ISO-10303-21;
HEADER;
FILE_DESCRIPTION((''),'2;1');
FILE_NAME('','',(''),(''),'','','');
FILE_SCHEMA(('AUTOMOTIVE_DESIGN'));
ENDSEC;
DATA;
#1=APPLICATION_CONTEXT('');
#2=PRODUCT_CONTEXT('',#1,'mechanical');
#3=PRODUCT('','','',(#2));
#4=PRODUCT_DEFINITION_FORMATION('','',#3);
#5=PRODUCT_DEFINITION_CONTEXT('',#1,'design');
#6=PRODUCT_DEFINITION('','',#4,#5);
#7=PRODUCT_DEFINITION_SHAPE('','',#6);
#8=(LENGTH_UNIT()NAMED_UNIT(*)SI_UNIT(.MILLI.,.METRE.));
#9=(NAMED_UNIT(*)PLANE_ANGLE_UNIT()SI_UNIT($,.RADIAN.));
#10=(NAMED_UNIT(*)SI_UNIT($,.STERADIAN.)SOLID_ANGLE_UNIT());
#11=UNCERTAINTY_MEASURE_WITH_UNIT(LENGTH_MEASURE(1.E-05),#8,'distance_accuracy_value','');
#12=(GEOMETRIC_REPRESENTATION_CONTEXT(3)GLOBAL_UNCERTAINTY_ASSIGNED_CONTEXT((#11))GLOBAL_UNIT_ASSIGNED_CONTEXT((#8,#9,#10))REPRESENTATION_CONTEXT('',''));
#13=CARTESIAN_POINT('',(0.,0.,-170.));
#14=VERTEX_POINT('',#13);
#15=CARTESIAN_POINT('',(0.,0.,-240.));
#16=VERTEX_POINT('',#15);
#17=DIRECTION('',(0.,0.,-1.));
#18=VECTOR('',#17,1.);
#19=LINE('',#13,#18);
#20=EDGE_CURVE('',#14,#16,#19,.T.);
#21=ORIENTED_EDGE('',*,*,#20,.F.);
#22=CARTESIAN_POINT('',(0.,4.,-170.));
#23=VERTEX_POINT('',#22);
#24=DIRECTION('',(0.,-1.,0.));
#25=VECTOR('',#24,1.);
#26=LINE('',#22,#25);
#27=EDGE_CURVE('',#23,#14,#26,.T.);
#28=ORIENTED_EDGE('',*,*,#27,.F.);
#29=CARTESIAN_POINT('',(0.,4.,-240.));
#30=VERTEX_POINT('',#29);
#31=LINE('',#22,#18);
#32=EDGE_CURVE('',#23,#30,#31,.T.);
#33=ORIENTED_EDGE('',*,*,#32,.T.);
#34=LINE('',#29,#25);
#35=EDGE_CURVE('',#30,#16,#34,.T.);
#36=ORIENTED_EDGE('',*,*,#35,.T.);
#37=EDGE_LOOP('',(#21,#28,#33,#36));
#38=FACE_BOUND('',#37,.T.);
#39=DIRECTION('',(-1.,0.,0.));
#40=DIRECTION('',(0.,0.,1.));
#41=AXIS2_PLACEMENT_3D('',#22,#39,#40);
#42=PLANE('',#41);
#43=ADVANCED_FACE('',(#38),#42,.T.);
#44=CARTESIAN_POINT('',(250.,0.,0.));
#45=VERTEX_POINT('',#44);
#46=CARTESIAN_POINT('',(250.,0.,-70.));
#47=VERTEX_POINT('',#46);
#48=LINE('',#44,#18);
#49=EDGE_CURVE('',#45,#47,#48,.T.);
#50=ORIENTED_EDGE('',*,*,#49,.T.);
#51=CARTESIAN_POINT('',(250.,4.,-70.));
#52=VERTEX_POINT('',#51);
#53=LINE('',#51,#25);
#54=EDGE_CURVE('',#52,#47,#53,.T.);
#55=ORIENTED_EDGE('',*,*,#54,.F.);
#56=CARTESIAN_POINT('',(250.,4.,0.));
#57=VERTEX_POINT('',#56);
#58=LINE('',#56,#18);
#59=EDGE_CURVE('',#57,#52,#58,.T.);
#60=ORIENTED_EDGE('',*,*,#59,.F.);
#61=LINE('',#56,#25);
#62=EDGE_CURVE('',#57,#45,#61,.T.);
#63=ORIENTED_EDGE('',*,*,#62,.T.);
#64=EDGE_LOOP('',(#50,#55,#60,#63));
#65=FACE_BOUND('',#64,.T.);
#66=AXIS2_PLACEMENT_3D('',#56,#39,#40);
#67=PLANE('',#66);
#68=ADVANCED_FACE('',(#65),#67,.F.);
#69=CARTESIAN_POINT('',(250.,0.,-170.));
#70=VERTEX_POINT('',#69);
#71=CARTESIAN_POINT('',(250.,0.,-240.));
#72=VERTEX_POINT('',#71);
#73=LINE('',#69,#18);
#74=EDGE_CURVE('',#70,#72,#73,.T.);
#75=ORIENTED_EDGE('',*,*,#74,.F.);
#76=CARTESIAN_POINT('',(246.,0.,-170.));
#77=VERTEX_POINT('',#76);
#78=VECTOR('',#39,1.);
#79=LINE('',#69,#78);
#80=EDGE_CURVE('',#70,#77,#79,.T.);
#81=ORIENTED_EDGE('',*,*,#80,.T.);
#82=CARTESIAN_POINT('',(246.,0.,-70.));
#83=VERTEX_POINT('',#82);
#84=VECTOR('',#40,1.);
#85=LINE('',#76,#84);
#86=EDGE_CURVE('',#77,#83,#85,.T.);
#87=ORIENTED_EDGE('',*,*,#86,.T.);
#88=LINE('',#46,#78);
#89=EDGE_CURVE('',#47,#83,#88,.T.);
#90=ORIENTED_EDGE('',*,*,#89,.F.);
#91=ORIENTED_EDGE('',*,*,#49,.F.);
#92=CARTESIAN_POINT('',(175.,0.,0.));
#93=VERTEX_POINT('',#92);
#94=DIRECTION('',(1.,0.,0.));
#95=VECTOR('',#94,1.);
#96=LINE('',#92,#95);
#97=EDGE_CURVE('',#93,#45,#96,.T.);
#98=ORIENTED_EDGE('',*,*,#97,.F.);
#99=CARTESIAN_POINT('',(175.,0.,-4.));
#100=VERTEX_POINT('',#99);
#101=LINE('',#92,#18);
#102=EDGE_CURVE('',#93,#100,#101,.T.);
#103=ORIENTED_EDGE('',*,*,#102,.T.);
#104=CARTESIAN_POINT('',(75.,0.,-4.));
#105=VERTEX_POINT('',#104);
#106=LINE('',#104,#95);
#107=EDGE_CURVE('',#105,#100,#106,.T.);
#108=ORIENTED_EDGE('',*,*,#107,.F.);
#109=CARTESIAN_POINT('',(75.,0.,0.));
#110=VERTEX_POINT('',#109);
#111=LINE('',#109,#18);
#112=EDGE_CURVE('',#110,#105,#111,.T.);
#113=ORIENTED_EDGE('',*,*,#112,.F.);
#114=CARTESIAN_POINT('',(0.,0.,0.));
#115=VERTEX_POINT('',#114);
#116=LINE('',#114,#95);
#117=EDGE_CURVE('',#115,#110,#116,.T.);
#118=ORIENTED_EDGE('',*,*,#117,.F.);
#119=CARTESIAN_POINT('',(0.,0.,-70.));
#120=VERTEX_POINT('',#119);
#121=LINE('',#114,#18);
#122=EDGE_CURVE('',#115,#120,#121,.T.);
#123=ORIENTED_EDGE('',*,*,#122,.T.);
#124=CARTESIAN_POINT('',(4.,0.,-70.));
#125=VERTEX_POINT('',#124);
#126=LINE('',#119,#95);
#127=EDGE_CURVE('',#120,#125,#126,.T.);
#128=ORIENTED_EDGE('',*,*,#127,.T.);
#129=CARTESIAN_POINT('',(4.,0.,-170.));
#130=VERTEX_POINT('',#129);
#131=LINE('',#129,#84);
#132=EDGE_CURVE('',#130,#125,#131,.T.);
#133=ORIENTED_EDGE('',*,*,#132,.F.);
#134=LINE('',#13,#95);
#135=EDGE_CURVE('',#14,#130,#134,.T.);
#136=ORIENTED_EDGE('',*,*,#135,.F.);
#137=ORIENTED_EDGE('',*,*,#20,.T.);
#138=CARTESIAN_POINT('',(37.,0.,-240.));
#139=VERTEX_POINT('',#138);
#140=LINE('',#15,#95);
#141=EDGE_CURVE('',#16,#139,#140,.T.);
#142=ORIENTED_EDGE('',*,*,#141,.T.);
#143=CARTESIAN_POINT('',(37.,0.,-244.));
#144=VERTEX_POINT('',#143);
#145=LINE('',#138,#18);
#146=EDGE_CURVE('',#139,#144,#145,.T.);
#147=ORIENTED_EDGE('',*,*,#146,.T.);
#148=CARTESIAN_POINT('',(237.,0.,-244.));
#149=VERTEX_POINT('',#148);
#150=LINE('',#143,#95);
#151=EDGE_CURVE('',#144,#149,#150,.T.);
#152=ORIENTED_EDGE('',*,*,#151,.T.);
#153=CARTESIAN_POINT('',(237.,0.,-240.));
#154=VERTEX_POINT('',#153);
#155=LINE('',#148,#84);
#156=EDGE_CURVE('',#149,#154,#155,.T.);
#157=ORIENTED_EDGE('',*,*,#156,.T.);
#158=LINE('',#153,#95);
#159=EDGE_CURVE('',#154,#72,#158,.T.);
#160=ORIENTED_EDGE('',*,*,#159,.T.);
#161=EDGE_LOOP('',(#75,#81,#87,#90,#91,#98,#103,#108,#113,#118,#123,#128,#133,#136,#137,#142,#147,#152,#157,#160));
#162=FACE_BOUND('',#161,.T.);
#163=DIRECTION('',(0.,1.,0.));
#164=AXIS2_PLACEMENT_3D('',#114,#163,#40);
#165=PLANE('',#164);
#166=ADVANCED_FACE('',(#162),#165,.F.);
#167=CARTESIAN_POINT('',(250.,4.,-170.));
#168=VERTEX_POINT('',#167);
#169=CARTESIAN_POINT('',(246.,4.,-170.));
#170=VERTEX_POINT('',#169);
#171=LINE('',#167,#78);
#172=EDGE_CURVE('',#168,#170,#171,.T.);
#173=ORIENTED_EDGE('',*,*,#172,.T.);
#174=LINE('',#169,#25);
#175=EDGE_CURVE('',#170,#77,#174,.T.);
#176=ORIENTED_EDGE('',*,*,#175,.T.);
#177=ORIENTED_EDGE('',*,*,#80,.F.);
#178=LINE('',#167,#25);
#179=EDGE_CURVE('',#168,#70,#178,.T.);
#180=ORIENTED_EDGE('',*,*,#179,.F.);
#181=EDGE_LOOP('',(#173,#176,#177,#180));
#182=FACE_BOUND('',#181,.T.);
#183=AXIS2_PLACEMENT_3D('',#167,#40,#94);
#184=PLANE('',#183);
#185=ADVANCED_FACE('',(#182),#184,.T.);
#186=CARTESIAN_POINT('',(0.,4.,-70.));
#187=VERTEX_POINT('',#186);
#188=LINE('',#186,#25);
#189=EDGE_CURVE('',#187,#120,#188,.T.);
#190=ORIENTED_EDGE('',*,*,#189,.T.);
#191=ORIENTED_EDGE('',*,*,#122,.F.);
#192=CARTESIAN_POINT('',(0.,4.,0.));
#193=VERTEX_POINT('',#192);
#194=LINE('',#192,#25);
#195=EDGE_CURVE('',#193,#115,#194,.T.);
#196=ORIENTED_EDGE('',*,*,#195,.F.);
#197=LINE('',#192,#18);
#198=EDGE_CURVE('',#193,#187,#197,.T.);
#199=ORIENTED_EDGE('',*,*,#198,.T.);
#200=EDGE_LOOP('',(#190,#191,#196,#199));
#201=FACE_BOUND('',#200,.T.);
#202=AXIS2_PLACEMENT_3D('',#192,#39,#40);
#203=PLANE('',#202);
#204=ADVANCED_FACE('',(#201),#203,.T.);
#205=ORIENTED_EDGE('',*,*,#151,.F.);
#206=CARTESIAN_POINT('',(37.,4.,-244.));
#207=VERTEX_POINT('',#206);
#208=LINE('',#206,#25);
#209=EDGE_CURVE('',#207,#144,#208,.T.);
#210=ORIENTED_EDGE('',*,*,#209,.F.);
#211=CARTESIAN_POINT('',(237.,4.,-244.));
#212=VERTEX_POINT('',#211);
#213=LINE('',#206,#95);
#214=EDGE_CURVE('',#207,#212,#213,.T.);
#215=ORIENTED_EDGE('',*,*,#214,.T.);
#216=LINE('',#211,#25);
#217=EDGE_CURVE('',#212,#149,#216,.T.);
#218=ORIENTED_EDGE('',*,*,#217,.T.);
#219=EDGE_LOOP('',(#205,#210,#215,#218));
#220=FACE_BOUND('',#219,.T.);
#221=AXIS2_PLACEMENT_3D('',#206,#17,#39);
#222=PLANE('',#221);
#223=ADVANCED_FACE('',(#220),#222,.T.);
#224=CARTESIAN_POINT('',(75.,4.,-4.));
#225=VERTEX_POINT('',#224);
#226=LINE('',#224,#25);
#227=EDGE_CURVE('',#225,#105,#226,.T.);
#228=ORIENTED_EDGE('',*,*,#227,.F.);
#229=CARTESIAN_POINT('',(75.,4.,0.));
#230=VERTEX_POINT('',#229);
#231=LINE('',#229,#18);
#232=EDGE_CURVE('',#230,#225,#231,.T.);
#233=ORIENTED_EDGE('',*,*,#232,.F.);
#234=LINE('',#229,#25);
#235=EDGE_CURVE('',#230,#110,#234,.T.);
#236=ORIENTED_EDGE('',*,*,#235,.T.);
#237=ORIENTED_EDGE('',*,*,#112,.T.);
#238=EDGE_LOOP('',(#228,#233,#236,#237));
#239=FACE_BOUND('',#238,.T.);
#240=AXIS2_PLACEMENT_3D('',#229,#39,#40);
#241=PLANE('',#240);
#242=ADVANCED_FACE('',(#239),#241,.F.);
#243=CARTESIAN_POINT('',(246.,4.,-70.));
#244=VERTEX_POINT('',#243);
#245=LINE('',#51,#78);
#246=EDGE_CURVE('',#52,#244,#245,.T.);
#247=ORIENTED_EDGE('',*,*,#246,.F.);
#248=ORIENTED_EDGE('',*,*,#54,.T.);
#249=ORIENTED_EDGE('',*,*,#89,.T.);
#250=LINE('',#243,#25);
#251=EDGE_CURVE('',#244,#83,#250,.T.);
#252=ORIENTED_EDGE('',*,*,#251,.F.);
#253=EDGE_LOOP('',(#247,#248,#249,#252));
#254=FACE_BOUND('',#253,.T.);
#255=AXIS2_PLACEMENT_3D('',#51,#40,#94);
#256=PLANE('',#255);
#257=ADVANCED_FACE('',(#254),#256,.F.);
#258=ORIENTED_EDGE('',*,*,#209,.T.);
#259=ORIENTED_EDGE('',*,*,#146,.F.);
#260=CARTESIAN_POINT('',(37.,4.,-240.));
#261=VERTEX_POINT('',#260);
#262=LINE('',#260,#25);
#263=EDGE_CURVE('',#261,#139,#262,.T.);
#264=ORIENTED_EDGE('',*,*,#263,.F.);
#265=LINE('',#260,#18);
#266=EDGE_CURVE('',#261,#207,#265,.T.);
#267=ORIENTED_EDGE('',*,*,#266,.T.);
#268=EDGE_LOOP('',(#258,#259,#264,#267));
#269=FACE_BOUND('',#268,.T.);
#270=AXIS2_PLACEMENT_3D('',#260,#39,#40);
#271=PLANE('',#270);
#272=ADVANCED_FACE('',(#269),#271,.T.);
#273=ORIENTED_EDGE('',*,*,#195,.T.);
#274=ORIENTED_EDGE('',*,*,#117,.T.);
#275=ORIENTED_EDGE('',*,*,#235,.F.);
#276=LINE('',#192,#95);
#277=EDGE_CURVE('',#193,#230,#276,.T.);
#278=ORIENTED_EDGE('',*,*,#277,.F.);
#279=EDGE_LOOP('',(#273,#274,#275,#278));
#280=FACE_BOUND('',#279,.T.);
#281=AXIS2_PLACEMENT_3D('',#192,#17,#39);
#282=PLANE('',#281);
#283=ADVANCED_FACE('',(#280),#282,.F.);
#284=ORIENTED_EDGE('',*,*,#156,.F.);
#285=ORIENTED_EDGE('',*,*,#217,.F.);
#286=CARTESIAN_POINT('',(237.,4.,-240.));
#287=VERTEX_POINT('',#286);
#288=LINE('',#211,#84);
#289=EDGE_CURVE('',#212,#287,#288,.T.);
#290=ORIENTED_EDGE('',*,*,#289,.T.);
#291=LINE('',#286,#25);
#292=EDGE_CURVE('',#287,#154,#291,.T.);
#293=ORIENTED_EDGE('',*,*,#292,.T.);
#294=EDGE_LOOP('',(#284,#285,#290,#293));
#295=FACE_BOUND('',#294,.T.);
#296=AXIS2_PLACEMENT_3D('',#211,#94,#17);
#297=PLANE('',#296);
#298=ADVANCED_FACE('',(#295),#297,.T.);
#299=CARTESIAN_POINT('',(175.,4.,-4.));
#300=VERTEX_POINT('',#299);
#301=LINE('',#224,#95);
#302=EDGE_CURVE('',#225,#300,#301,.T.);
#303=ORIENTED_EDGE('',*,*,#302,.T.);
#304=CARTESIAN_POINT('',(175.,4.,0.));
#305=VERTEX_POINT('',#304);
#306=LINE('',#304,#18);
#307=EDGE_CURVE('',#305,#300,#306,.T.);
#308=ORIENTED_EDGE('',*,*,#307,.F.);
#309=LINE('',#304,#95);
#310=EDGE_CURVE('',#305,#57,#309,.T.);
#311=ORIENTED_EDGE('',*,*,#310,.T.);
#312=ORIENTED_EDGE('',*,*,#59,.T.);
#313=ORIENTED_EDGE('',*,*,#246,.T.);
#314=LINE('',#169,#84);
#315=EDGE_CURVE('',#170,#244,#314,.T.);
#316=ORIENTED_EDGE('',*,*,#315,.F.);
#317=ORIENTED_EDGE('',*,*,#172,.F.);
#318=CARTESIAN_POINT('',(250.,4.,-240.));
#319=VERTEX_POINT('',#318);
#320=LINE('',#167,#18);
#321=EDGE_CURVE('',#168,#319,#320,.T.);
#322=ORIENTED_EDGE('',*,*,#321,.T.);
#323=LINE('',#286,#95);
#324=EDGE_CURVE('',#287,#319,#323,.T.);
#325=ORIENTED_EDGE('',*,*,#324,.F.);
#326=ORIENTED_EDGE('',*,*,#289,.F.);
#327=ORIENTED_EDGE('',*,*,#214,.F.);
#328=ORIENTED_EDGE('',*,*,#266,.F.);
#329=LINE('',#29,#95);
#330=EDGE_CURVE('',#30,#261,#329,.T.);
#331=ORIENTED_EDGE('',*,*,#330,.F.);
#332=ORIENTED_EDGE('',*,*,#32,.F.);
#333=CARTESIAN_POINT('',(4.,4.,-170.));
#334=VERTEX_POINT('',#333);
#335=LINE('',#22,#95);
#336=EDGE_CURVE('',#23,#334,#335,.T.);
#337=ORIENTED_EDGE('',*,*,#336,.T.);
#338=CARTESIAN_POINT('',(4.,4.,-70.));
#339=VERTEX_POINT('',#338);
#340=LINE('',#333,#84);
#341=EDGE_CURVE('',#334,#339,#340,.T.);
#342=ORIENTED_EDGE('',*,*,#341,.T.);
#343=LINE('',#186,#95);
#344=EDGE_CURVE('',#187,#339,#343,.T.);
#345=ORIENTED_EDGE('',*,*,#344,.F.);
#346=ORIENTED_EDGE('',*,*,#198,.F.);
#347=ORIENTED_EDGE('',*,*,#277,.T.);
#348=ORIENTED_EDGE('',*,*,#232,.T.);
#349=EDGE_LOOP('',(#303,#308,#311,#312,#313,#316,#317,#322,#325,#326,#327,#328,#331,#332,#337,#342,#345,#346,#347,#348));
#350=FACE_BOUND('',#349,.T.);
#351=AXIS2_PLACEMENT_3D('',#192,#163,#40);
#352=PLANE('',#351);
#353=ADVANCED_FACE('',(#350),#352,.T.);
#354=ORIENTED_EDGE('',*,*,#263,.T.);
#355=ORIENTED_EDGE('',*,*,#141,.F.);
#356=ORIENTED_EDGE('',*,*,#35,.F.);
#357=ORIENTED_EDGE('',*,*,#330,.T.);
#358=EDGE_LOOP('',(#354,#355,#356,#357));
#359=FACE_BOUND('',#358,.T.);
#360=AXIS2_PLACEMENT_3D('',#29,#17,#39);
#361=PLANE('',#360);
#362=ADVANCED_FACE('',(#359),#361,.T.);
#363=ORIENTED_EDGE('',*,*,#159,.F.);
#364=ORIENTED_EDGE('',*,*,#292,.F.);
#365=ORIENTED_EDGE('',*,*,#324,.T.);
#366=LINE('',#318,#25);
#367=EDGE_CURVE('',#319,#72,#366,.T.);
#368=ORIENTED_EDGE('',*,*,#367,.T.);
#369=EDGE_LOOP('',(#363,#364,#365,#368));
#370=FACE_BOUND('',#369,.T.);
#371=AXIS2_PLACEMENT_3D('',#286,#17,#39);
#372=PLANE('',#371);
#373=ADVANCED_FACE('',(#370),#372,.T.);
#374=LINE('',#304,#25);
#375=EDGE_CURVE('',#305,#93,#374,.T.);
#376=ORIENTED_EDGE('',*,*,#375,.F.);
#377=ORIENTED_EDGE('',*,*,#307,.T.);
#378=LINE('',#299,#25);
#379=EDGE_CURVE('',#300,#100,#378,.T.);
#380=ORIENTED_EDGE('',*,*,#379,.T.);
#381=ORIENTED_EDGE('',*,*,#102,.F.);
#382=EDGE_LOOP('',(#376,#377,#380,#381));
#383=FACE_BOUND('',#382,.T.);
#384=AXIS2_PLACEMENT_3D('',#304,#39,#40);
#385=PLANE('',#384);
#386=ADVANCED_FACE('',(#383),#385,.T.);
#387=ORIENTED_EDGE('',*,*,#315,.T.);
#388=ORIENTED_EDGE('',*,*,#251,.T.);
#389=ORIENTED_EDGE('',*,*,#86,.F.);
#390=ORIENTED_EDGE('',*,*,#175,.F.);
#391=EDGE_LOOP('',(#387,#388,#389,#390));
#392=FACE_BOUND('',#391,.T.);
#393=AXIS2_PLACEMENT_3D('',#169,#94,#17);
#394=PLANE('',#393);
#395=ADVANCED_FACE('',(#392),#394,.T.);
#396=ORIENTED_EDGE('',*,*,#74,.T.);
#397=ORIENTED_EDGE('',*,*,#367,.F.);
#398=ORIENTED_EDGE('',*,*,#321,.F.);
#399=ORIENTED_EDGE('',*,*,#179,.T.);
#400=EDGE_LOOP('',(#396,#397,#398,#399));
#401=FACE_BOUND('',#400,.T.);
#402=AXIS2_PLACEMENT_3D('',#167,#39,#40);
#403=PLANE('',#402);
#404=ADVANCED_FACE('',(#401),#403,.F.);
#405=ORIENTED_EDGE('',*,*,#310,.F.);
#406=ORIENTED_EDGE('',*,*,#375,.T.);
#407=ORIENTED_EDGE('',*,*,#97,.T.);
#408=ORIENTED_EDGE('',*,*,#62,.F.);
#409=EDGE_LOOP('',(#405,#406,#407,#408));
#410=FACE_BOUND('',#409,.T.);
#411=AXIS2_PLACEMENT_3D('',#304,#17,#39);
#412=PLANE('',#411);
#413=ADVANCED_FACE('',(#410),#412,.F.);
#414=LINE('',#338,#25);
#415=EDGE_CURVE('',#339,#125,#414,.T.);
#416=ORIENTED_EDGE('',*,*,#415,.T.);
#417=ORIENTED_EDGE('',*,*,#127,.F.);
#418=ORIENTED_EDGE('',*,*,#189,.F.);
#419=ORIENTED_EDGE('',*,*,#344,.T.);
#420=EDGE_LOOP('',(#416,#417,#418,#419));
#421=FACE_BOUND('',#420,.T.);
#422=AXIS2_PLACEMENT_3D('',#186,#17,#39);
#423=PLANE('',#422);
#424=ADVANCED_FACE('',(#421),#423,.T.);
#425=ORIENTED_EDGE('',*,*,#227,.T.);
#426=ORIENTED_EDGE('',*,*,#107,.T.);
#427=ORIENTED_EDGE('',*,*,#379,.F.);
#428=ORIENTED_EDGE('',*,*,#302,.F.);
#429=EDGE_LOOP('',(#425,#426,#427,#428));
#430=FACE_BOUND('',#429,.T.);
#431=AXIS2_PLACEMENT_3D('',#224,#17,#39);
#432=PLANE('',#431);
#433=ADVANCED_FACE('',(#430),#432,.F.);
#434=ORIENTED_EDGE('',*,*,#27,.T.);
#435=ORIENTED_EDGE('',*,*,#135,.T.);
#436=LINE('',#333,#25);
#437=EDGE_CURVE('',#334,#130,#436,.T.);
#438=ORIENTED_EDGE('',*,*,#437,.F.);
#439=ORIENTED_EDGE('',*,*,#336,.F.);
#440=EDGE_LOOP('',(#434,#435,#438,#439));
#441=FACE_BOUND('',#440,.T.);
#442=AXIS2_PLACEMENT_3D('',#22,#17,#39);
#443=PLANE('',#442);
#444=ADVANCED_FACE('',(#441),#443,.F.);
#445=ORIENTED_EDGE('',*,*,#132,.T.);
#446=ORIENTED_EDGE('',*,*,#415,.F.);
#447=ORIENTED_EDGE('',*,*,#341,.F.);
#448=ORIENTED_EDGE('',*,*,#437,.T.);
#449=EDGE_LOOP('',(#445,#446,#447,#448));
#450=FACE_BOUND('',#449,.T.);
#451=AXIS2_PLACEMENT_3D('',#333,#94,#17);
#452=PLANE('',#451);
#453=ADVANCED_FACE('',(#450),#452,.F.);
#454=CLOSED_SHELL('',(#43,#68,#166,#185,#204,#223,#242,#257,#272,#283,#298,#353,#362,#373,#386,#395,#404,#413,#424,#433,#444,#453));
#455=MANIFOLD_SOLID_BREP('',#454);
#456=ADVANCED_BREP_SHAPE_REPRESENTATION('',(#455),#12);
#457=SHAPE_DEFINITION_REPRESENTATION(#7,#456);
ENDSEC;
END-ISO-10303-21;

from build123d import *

# Parameters (mm, degrees)
BOSS_EXTRUDE1_DEPTH = 4


with BuildPart() as part:
    # Sketch1 → Boss-Extrude1 (new body)
    with BuildSketch(Plane(origin=(0, 0, 0), x_dir=(1, 0, 0), z_dir=(0, 1, 0))):
        Polygon((37, 240), (37, 244), (237, 244), (237, 240), (250, 240), (250, 170), (246, 170), (246, 70), (250, 70), (250, 0), (175, 0), (175, 4), (75, 4), (75, 0), (0, 0), (0, 70), (4, 70), (4, 170), (0, 170), (0, 240), align=None)
    extrude(amount=BOSS_EXTRUDE1_DEPTH)


solid = part.part
